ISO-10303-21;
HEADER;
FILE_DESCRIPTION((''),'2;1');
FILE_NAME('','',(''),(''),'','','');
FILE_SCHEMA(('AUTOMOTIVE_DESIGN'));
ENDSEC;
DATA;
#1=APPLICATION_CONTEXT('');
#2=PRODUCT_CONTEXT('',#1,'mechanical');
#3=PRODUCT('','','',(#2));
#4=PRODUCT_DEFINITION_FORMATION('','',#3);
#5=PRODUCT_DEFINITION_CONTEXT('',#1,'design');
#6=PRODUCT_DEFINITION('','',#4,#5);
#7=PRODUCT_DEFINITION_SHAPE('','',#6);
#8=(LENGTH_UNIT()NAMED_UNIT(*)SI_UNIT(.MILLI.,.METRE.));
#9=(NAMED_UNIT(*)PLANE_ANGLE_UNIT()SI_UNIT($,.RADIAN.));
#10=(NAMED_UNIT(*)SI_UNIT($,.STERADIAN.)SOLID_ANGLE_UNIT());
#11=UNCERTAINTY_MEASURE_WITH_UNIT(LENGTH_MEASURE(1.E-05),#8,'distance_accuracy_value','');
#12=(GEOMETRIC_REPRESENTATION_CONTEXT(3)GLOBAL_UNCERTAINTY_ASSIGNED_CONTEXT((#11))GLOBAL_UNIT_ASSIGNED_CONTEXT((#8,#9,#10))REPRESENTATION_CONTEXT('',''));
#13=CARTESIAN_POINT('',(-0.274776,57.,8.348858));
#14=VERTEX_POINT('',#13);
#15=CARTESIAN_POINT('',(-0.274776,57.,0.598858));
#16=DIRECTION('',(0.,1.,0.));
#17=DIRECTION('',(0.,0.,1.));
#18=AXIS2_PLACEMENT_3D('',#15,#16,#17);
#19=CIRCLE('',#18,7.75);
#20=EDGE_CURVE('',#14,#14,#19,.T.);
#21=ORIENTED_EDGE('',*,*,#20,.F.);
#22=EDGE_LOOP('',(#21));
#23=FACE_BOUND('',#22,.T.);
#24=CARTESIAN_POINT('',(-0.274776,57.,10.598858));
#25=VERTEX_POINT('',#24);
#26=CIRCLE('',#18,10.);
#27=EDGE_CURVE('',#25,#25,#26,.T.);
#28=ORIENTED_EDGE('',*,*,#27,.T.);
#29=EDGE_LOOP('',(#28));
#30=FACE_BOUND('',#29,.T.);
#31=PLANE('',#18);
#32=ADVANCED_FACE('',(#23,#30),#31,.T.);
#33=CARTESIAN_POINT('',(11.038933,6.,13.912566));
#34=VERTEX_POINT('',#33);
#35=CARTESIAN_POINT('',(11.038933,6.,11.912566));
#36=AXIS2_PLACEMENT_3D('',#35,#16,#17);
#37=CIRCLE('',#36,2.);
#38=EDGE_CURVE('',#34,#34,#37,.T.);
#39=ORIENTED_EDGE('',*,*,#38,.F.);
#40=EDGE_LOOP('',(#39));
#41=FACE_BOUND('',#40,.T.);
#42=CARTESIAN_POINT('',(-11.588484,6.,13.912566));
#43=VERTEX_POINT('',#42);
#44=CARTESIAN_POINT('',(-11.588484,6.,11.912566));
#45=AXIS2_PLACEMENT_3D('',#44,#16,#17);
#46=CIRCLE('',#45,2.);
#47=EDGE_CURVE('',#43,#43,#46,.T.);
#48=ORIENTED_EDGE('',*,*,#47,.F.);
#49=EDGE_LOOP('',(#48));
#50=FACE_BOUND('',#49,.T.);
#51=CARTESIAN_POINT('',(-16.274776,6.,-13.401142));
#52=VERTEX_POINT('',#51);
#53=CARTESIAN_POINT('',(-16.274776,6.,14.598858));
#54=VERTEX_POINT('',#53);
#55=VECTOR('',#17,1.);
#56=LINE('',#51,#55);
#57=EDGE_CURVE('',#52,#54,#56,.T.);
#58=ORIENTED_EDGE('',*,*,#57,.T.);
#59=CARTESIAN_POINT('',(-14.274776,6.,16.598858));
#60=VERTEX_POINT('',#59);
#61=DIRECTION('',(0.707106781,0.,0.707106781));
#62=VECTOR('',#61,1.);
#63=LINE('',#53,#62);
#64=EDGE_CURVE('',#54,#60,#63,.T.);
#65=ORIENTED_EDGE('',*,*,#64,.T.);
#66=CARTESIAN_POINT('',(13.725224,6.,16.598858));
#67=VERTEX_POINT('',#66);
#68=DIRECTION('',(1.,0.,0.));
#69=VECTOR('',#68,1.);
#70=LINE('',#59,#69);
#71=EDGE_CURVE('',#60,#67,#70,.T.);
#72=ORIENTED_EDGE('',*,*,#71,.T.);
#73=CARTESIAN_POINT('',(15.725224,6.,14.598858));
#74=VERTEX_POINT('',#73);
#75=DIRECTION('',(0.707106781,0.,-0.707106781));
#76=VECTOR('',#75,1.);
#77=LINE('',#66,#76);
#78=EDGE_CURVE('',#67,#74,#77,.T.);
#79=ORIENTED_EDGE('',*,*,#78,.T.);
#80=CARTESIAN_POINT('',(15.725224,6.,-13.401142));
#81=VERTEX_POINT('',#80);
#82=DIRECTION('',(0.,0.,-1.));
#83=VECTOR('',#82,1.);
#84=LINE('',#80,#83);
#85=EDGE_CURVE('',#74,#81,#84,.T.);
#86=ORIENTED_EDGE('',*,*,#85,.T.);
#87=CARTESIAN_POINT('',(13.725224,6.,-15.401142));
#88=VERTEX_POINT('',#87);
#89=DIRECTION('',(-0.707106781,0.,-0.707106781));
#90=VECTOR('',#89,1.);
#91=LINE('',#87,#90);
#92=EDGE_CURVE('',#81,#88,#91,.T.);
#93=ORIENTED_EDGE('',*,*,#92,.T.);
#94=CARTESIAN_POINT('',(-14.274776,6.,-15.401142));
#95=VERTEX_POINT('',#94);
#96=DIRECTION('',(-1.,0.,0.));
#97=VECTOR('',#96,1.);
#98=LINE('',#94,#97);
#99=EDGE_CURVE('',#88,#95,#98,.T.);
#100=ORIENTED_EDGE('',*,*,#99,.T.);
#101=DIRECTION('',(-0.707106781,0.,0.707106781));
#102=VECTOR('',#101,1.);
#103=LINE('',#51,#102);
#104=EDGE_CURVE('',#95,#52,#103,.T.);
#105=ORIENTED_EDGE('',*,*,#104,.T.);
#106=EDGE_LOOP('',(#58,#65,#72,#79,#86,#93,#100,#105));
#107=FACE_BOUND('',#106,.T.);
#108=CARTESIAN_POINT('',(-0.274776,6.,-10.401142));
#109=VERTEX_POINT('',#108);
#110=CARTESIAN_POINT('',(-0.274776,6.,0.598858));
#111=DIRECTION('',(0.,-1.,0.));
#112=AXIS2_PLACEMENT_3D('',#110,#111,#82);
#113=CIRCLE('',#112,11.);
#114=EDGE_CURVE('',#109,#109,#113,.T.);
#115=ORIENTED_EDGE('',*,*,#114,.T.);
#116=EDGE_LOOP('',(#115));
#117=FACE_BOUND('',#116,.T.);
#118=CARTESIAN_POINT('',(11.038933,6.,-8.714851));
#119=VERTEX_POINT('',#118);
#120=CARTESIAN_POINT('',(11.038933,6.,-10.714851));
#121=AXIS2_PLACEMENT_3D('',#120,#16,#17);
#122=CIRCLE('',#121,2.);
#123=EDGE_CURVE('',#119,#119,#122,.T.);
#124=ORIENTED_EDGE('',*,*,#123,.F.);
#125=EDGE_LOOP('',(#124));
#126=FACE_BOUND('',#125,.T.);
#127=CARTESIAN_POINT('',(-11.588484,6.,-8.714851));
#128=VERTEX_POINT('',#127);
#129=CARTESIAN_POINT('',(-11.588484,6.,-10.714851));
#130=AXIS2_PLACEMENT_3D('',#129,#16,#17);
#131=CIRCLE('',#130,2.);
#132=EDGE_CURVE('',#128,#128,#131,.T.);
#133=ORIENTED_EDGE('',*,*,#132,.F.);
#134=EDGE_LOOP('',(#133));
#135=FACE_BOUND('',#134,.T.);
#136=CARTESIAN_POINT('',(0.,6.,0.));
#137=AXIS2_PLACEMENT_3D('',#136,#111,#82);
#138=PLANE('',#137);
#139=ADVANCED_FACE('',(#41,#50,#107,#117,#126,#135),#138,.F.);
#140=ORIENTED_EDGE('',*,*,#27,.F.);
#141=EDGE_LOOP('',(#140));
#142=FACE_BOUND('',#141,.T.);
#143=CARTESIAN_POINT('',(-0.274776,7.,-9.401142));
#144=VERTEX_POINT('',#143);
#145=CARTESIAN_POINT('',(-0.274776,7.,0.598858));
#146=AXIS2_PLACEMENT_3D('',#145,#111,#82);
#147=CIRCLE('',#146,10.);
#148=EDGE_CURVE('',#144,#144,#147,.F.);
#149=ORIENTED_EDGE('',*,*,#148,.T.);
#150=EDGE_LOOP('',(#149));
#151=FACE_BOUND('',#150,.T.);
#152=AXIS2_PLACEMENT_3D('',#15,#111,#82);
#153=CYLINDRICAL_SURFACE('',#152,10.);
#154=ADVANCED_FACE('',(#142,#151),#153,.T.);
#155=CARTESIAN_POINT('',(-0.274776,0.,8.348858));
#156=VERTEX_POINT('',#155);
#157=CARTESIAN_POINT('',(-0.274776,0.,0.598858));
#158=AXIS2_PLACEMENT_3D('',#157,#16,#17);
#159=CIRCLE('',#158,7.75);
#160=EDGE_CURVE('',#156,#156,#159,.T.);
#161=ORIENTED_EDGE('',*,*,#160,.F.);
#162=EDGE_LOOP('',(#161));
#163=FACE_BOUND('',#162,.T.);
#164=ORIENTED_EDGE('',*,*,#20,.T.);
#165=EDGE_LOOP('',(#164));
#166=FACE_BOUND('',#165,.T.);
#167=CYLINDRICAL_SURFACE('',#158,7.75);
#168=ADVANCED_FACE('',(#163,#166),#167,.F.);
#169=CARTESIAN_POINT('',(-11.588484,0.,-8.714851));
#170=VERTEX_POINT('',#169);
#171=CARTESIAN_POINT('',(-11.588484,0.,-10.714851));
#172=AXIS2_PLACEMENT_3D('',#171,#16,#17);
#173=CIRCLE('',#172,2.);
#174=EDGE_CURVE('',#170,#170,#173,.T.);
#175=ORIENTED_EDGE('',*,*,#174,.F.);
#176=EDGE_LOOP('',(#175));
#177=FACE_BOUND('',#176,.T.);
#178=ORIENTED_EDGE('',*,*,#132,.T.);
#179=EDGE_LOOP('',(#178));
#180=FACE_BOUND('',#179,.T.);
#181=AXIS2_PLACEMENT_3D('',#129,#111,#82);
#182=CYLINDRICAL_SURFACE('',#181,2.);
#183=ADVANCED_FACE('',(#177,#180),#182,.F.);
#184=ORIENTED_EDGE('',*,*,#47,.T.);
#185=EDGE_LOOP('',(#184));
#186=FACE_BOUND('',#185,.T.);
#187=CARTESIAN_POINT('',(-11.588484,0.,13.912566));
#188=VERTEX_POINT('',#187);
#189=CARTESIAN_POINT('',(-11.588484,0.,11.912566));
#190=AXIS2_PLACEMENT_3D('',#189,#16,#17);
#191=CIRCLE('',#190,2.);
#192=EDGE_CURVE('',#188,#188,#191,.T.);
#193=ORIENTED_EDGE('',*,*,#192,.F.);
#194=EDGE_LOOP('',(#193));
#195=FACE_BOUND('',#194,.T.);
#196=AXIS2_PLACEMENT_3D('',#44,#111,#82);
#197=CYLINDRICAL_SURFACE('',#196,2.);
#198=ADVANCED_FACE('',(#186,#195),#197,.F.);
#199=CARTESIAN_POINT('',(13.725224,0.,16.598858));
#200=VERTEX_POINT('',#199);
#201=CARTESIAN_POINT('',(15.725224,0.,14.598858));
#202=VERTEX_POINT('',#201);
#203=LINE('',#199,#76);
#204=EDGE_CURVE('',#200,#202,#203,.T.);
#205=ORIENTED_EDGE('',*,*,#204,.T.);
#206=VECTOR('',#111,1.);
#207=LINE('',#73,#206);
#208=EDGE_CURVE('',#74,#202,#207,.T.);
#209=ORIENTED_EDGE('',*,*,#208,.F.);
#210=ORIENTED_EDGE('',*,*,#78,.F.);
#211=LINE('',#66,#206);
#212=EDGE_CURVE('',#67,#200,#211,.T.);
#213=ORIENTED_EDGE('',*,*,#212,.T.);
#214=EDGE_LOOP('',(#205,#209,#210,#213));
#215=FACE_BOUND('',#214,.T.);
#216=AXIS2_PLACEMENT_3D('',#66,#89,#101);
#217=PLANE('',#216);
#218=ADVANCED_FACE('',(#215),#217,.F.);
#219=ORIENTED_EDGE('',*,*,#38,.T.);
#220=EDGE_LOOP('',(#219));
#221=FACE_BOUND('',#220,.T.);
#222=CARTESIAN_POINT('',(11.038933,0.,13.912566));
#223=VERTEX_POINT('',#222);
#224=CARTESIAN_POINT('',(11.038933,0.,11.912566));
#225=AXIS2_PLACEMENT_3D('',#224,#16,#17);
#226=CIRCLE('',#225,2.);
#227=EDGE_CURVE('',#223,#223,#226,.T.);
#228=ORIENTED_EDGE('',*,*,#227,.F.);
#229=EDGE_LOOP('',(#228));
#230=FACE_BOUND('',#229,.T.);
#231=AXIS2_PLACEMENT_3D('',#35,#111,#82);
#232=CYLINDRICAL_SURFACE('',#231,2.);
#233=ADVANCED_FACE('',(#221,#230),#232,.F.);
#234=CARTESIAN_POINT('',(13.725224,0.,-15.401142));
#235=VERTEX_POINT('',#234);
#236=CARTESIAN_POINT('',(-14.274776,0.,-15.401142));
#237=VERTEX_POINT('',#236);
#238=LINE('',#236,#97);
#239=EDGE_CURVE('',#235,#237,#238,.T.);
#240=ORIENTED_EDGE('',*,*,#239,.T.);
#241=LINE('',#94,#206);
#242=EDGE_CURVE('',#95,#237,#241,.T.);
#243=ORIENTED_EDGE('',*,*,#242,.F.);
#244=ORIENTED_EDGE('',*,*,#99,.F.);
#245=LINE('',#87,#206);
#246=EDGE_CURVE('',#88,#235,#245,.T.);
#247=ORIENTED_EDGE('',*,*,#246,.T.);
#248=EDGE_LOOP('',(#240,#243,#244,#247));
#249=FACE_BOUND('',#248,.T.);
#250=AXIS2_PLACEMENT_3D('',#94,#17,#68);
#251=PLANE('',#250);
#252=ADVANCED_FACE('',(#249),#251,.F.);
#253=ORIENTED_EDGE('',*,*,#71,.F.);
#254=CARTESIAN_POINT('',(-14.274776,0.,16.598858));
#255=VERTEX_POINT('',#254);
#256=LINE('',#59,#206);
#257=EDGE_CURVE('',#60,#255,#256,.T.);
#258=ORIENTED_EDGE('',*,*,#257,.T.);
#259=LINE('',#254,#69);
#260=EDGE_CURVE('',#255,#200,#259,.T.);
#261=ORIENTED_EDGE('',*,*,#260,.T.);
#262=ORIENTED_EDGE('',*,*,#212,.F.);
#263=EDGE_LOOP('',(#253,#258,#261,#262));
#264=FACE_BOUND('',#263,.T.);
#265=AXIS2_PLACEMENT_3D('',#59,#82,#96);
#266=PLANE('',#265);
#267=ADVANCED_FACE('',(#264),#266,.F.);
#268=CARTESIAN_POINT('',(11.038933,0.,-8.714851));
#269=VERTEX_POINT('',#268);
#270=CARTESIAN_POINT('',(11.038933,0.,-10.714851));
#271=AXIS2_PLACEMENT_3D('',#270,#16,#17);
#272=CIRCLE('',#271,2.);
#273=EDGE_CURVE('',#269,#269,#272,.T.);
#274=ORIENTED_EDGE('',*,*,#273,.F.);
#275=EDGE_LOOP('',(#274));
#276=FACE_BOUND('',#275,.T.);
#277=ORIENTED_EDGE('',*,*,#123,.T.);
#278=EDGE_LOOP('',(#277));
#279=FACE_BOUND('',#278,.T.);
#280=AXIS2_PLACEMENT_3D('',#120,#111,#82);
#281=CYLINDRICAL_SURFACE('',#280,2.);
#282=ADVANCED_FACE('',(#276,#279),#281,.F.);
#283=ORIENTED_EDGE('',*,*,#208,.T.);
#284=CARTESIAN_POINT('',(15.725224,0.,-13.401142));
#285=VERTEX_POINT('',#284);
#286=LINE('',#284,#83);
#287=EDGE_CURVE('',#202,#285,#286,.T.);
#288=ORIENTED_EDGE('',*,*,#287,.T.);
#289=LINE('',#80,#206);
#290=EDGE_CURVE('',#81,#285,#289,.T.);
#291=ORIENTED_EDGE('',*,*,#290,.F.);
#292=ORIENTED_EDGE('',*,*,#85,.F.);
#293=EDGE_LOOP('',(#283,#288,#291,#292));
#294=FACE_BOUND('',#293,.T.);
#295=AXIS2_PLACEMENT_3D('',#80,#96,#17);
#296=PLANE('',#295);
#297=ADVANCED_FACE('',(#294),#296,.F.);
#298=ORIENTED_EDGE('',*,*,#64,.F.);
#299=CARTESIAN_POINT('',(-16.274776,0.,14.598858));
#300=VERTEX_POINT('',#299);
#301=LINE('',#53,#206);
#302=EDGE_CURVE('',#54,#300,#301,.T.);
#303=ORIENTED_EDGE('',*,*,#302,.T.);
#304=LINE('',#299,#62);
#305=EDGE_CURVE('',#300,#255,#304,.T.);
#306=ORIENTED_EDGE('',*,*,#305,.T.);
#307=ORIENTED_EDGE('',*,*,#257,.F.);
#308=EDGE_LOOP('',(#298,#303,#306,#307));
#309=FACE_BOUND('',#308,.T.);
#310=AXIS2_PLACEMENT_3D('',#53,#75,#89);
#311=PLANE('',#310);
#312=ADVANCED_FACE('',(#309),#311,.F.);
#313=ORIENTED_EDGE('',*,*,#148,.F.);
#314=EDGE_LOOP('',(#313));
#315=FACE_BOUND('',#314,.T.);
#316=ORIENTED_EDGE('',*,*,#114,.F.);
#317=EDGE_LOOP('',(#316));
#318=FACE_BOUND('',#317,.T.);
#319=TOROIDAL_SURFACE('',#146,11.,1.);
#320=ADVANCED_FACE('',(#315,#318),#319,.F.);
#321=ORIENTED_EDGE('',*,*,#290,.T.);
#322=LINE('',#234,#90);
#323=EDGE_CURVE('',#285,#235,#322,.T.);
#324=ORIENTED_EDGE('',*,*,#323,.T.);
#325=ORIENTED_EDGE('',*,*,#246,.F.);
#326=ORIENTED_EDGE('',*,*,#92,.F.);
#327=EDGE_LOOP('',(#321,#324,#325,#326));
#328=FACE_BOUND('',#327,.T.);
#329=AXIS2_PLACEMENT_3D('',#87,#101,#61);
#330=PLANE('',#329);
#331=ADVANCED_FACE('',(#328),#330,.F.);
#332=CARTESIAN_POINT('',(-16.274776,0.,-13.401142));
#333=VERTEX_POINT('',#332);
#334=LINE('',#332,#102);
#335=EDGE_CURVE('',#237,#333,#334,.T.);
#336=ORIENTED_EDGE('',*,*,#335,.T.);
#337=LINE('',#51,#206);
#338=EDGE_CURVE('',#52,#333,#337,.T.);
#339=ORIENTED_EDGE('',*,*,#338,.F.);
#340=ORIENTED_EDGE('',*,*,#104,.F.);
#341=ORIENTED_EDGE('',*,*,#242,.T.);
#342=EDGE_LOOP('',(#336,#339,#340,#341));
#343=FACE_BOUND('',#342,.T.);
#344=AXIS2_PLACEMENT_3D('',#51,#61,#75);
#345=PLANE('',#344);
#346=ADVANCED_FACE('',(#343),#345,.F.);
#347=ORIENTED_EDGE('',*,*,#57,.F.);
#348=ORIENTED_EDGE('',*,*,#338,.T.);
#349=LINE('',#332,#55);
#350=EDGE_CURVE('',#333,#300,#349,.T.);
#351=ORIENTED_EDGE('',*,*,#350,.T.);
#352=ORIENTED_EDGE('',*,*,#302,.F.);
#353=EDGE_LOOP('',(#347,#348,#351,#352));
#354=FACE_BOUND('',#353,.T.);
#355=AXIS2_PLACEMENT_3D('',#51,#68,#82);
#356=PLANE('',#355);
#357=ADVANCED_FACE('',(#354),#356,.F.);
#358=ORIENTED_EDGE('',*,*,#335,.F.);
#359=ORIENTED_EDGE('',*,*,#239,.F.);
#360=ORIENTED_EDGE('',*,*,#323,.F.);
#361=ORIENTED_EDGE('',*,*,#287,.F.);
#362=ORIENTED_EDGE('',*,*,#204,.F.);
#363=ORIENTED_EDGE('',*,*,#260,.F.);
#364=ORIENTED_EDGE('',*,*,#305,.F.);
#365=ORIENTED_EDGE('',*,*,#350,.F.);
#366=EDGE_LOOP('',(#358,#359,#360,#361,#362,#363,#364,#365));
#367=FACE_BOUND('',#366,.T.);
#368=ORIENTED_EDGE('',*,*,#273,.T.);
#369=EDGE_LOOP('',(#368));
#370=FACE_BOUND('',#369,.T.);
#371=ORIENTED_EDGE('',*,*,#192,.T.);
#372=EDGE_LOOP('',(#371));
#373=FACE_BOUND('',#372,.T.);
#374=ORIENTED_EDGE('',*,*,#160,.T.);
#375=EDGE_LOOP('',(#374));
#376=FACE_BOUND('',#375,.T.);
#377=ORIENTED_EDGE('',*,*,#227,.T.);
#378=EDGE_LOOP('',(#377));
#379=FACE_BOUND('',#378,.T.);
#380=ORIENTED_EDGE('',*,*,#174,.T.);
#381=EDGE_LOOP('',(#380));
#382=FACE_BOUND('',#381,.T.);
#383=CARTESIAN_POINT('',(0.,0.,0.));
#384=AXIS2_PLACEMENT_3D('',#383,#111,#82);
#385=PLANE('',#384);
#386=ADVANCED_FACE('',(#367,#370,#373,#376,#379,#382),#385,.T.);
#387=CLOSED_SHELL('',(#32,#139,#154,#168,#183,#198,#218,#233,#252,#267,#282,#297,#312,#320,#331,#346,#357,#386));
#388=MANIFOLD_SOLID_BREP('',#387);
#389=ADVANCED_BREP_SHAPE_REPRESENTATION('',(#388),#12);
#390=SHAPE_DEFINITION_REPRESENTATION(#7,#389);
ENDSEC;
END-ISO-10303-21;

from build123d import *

# Parameters (mm, degrees)
SKETCH1_R           = 2
BOSS_EXTRUDE1_DEPTH = 6
SKETCH2_R           = 10
BOSS_EXTRUDE2_DEPTH = 51
SKETCH3_R           = 7.75
CUT_EXTRUDE1_DEPTH  = 62.558024733
FILLET1_R           = 1


with BuildPart() as part:
    # Sketch1 → Boss-Extrude1 (new body)
    with BuildSketch(Plane(origin=(0, 0, 0), x_dir=(1, 0, 0), z_dir=(0, 1, 0))):
        Polygon((-16.274775851, 13.401142209), (-14.274775851, 15.401142209), (13.725224149, 15.401142209), (15.725224149, 13.401142209), (15.725224149, -14.598857791), (13.725224149, -16.598857791), (-14.274775851, -16.598857791), (-16.274775851, -14.598857791), align=None)
        with Locations(Location((11.038932647, 10.714850708, 0), (0, 0, 270))):
            Circle(SKETCH1_R, mode=Mode.SUBTRACT)
        with Locations(Location((-11.58848435, 10.714850708, 0), (0, 0, 270))):
            Circle(SKETCH1_R, mode=Mode.SUBTRACT)
        with Locations(Location((-11.58848435, -11.91256629, 0), (0, 0, 270))):
            Circle(SKETCH1_R, mode=Mode.SUBTRACT)
        with Locations(Location((11.038932647, -11.91256629, 0), (0, 0, 270))):
            Circle(SKETCH1_R, mode=Mode.SUBTRACT)
    extrude(amount=BOSS_EXTRUDE1_DEPTH)

    # Sketch2 → Boss-Extrude2 (add)
    with BuildSketch(Plane(origin=(0, 6, 0), x_dir=(1, 0, 0), z_dir=(0, 1, 0))):
        with Locations(Location((-0.274775851, -0.598857791, 0), (0, 0, 90))):
            Circle(SKETCH2_R)
    extrude(amount=BOSS_EXTRUDE2_DEPTH)

    # Sketch3 → Cut-Extrude1 (cut, through all)
    with BuildSketch(Plane(origin=(0, 57, 0), x_dir=(1, 0, 0), z_dir=(0, 1, 0))):
        with Locations(Location((-0.274775851, -0.598857791, 0), (0, 0, 270))):
            Circle(SKETCH3_R)
    extrude(amount=-CUT_EXTRUDE1_DEPTH, mode=Mode.SUBTRACT)

    # Fillet1
    fillet1_edges = [part.edges().sort_by_distance(p)[0] for p in [
        (-0.274775851, 6, 10.598857791),
    ]]
    fillet(fillet1_edges, radius=FILLET1_R)


solid = part.part
